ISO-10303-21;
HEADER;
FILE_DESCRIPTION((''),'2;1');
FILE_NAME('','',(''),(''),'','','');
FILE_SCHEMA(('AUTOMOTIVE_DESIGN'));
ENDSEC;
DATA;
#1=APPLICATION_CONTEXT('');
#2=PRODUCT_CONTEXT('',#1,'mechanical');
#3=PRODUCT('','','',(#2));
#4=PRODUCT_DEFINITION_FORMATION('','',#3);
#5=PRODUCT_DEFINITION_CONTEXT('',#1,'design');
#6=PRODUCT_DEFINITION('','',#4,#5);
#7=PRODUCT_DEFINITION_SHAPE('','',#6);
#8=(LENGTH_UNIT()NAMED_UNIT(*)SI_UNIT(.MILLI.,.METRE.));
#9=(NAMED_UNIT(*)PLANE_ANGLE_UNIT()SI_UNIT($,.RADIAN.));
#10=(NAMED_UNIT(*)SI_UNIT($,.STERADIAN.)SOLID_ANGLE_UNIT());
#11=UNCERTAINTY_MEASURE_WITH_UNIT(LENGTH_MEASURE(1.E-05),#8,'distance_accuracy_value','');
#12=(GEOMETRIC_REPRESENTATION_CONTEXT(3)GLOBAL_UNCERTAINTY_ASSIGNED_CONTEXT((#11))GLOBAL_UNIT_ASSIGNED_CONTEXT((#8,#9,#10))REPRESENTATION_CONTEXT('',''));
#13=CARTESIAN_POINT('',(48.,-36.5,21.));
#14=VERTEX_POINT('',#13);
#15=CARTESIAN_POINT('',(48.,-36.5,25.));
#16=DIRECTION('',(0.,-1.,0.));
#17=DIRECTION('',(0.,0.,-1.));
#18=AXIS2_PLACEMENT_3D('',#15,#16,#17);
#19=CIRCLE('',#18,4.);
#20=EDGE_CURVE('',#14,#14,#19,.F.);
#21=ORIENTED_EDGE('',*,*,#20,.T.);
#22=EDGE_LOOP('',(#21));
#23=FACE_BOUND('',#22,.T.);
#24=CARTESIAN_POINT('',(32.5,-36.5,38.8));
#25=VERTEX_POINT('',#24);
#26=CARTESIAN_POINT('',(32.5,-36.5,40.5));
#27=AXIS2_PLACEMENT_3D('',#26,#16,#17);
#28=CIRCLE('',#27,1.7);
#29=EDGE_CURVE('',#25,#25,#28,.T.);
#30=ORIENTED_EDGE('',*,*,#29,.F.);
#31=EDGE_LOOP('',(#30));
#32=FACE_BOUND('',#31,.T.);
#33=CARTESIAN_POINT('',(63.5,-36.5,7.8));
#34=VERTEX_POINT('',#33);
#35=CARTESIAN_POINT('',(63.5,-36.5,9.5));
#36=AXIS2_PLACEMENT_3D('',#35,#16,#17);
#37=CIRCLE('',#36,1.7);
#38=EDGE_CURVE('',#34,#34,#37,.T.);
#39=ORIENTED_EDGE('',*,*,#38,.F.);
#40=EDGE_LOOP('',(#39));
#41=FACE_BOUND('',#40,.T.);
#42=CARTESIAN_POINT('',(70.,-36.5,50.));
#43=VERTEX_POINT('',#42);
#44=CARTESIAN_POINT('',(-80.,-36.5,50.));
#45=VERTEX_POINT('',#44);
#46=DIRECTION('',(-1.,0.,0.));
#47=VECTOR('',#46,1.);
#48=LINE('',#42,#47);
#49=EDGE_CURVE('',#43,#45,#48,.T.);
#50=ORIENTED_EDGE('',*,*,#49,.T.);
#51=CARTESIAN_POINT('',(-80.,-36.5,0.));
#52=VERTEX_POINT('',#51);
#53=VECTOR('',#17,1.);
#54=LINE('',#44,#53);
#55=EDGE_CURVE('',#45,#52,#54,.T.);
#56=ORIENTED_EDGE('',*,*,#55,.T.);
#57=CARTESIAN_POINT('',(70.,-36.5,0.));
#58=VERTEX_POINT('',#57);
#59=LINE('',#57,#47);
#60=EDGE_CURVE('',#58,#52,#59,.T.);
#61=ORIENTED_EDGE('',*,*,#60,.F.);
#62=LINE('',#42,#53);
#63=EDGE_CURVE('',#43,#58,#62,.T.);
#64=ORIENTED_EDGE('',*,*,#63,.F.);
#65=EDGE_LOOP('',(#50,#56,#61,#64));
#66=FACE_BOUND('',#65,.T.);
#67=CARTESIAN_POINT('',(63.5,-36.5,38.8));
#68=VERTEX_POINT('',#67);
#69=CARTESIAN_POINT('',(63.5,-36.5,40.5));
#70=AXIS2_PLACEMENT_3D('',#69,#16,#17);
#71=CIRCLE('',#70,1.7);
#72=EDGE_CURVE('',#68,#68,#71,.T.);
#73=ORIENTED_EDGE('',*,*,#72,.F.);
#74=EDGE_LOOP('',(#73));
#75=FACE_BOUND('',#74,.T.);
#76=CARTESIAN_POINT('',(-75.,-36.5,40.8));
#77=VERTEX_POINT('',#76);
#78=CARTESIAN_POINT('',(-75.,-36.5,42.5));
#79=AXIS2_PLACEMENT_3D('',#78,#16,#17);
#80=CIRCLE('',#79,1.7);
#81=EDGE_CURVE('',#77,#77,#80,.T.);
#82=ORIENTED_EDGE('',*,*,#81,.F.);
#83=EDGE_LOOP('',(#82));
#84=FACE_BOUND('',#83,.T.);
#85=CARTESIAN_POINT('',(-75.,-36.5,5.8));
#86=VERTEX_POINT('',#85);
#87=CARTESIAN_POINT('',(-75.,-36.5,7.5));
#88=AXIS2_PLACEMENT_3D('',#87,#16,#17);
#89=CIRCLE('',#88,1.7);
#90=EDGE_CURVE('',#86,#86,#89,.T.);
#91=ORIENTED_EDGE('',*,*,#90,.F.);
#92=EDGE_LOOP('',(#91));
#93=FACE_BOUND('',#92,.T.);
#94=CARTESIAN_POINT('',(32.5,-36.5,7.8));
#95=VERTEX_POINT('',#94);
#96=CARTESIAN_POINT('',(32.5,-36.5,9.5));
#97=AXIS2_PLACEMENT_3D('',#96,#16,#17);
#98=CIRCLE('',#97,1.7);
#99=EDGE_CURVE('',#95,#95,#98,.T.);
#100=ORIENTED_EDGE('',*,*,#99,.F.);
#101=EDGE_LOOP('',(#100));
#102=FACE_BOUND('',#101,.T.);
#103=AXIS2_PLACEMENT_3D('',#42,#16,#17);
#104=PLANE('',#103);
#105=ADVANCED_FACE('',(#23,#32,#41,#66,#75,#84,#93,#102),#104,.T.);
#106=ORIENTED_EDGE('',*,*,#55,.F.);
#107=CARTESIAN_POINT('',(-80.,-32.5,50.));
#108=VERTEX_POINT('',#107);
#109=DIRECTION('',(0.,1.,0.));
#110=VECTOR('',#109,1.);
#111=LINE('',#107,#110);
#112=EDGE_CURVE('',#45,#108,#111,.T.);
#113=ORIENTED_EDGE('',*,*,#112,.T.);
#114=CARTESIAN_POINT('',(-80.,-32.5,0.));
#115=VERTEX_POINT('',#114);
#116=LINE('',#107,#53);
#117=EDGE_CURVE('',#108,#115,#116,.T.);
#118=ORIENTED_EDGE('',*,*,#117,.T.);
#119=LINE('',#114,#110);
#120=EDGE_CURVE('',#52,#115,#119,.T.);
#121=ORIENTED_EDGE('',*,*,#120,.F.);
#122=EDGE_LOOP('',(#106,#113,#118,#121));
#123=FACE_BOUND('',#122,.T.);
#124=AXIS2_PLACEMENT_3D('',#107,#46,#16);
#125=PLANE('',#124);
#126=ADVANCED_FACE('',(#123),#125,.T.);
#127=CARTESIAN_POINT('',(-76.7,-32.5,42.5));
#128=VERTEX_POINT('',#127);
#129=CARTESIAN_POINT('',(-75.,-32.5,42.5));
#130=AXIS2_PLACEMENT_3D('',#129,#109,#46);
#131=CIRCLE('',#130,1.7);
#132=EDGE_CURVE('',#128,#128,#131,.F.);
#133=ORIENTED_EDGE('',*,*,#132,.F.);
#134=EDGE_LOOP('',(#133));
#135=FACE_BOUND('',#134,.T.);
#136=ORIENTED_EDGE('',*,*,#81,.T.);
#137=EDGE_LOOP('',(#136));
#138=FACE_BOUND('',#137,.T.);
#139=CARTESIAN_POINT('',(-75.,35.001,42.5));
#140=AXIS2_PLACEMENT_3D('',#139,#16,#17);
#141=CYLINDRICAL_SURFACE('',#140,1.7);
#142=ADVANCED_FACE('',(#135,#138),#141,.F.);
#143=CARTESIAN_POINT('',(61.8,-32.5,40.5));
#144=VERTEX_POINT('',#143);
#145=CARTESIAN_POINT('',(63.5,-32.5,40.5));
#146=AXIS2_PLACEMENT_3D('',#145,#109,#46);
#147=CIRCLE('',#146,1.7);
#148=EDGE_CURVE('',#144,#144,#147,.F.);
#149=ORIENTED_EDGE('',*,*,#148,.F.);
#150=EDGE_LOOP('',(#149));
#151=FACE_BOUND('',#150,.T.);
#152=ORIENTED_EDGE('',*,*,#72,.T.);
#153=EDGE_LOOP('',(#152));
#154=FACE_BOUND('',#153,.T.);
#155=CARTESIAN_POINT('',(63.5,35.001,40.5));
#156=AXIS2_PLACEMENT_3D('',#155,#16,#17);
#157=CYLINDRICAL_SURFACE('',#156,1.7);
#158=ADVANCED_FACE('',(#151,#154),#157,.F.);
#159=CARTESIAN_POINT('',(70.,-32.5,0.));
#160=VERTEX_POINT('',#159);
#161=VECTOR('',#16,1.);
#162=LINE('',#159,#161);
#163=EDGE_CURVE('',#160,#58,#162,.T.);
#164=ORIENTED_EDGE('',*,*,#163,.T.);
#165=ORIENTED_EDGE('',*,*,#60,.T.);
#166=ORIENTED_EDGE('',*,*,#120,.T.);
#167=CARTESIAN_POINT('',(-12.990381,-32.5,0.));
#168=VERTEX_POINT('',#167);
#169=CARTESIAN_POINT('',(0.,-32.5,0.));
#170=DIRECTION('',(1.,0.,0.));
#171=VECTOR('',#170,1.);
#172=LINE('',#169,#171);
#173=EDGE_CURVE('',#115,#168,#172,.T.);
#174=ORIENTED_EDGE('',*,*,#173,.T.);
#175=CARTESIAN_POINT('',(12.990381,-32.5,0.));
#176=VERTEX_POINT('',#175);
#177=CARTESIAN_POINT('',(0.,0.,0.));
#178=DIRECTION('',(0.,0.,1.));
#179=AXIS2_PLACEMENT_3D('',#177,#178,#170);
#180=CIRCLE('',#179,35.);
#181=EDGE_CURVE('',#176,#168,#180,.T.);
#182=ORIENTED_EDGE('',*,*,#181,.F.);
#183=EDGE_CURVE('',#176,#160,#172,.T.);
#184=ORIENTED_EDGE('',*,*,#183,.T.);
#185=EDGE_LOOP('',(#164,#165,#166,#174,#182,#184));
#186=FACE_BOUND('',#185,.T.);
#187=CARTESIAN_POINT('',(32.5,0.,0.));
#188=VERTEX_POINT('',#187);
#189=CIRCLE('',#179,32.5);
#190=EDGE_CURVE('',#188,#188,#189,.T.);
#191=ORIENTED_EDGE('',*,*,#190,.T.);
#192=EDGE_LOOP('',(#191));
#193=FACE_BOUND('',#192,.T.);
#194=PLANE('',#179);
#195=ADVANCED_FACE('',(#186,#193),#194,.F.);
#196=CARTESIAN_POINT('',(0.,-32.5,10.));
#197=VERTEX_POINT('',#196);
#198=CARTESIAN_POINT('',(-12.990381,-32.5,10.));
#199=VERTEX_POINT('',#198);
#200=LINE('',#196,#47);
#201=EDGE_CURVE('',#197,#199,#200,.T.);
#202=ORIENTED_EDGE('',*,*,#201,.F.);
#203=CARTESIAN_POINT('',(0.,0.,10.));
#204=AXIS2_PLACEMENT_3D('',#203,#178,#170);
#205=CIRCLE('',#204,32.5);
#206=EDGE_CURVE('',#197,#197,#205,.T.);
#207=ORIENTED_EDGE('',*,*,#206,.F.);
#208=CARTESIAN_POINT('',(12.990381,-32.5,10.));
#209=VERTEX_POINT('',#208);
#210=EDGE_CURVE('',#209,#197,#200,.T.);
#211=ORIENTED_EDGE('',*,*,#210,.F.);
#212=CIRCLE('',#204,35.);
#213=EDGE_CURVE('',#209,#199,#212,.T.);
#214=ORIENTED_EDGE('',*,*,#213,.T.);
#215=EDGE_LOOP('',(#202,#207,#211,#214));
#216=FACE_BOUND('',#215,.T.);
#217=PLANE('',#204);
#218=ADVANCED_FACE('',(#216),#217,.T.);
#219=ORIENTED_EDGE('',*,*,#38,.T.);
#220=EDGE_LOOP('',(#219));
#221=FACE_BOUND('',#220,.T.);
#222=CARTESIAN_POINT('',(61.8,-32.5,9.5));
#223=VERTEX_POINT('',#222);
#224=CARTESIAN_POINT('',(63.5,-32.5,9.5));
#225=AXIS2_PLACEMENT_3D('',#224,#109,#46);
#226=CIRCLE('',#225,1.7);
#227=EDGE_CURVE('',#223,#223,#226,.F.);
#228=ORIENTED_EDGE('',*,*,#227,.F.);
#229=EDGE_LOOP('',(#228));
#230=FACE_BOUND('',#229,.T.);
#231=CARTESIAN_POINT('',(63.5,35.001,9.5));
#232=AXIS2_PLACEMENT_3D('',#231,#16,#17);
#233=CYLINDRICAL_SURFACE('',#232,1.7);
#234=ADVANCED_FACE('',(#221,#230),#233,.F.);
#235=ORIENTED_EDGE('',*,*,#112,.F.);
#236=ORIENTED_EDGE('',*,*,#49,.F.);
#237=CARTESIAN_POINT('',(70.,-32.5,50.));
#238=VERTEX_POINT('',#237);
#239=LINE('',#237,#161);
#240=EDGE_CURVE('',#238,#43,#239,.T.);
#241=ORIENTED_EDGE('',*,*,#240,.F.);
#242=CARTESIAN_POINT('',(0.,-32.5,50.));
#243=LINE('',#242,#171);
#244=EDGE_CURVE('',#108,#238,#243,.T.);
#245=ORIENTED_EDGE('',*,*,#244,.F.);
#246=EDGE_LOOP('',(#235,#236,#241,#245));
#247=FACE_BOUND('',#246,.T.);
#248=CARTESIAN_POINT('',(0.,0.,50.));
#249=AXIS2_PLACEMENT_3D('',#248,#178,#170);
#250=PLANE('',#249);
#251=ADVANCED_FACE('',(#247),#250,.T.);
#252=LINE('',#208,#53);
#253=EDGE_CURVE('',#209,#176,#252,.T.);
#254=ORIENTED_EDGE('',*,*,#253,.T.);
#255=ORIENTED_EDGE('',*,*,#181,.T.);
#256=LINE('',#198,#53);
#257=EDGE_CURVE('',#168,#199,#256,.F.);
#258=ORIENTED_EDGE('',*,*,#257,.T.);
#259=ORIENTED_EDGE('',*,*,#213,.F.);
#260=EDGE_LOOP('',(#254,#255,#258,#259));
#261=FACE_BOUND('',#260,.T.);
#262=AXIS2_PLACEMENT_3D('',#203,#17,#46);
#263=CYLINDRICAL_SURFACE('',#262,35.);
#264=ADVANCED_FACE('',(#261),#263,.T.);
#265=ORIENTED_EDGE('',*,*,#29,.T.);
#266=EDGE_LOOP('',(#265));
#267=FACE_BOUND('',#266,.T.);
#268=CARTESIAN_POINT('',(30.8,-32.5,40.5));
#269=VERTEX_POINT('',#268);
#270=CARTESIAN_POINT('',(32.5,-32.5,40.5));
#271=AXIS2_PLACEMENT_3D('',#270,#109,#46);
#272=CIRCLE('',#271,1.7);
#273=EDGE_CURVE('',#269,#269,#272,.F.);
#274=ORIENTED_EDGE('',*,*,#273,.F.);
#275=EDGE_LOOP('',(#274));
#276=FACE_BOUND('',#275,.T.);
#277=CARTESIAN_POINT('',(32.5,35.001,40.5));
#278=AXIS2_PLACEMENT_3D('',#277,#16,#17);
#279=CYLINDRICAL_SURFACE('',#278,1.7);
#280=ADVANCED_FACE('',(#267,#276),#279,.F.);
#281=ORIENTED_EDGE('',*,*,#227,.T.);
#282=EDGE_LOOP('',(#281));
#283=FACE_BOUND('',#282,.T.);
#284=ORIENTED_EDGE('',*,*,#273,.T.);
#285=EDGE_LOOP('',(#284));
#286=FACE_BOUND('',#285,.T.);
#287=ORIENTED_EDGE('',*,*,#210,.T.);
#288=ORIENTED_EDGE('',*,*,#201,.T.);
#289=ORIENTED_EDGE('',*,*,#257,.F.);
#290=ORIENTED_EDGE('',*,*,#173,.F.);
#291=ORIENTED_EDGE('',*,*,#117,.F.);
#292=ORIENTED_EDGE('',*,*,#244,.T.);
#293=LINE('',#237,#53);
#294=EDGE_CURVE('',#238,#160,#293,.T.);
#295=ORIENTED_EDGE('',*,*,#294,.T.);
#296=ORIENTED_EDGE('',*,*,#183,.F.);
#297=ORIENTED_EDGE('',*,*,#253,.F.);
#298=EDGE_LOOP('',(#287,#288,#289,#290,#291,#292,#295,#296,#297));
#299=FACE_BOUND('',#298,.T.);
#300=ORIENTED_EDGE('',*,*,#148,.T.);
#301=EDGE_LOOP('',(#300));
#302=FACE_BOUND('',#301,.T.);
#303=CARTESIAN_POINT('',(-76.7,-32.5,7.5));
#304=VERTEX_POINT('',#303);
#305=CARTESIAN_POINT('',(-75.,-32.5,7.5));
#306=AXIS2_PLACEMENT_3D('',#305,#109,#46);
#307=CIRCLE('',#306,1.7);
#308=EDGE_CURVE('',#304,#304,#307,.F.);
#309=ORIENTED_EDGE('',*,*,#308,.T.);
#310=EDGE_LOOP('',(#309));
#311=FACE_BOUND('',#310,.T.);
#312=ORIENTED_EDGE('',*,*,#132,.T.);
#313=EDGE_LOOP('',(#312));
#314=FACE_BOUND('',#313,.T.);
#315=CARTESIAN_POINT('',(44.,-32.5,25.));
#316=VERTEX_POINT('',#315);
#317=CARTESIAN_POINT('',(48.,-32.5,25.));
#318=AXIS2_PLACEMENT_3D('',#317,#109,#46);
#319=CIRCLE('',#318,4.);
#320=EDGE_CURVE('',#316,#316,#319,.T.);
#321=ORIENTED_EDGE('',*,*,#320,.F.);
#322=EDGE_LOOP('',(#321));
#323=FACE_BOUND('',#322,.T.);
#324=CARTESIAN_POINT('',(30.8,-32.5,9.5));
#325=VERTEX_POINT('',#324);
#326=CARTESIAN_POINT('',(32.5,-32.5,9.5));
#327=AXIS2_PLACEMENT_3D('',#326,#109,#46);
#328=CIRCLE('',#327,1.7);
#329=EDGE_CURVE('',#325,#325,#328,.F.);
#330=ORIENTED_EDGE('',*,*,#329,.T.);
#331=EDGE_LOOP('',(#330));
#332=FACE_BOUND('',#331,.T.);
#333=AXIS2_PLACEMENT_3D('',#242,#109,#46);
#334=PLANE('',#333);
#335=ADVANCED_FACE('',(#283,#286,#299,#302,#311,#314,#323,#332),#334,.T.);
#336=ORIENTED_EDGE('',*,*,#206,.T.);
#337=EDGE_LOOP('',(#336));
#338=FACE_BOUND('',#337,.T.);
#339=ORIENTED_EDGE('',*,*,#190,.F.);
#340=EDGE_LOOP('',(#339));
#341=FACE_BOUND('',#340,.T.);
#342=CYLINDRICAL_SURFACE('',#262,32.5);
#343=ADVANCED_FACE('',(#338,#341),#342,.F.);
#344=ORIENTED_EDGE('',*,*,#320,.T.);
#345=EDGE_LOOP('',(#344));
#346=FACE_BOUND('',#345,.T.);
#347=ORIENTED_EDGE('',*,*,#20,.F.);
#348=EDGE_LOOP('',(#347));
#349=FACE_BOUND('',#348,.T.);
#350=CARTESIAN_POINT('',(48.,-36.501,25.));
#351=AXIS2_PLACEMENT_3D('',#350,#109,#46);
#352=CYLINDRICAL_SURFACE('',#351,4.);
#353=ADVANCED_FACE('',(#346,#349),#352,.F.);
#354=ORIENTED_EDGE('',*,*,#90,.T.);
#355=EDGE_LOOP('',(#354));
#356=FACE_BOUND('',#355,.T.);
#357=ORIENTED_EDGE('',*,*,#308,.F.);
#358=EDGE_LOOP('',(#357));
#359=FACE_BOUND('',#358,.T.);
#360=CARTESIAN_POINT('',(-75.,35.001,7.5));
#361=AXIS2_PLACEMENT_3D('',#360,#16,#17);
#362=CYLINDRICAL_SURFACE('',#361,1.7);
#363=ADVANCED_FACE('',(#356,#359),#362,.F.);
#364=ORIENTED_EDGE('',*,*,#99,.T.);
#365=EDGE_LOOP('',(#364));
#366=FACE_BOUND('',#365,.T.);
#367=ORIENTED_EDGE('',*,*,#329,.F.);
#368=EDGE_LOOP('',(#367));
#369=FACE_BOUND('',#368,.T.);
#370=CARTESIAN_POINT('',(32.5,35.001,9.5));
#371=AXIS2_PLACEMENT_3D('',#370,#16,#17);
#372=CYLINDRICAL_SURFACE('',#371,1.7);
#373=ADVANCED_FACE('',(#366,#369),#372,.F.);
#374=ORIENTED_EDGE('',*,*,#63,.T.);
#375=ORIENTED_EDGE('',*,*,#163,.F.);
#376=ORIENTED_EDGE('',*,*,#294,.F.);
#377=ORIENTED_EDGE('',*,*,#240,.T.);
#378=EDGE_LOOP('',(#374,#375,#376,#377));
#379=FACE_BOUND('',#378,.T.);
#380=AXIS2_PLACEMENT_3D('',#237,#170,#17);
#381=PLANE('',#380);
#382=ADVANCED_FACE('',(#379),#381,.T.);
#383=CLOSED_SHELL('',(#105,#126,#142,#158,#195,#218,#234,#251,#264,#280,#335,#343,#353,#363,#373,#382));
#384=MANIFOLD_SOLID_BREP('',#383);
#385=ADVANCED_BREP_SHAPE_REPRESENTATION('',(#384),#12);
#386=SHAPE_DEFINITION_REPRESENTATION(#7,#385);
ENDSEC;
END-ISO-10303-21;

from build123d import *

# Parameters (mm, degrees)
SKETCH_1_R          = 35
SKETCH_1_R_2        = 32.5
EXTRUDE_1_DEPTH     = 10
EXTRUDE_2_DEPTH     = 50
CUT_EXTRUDE_1_REACH = 118.001
SKETCH_3_R          = 4
CUT_EXTRUDE_2_REACH = 120.373
SKETCH_4_R          = 1.7
CUT_EXTRUDE_3_REACH = 120.373
SKETCH_5_R          = 1.7


with BuildPart() as part:
    # ｽｹｯﾁ1 → ﾎﾞｽ - 押し出し1 (new body)
    with BuildSketch(Plane.XY):
        Circle(SKETCH_1_R)
        Circle(SKETCH_1_R_2, mode=Mode.SUBTRACT)
    extrude(amount=EXTRUDE_1_DEPTH)

    # ｽｹｯﾁ2 → ﾎﾞｽ - 押し出し2 (add)
    with BuildSketch(Plane(origin=(0, 0, 0), x_dir=(-1, 0, 0), z_dir=(0, 0, -1))):
        Polygon((0, -32.5), (-70, -32.5), (-70, -36.5), (80, -36.5), (80, -32.5), align=None)
    extrude(amount=-EXTRUDE_2_DEPTH)

    # ｽｹｯﾁ3 → ｶｯﾄ - 押し出し1 (cut, up to next)
    with BuildSketch(Plane(origin=(0, -32.5, 0), x_dir=(1, 0, 0), z_dir=(0, 1, 0)), mode=Mode.PRIVATE) as cut_extrude_1_sk1:
        with Locations(Location((48, -25, 0), (0, 0, 180))):
            Circle(SKETCH_3_R)
    cut_extrude_1_tool1 = extrude(cut_extrude_1_sk1.sketch, amount=-CUT_EXTRUDE_1_REACH, mode=Mode.PRIVATE) & part.part
    add(cut_extrude_1_tool1.solids().sort_by_distance((48, -32.5, 25))[0], mode=Mode.SUBTRACT)

    # ｽｹｯﾁ4 → ｶｯﾄ - 押し出し2 (cut, up to next)
    with BuildSketch(Plane.XZ.offset(36.5), mode=Mode.PRIVATE) as cut_extrude_2_sk1:
        with Locations(Location((63.5, 40.5, 0), (0, 0, 270))):
            Circle(SKETCH_4_R)
    cut_extrude_2_tool1 = extrude(cut_extrude_2_sk1.sketch, amount=-CUT_EXTRUDE_2_REACH, mode=Mode.PRIVATE) & part.part
    # ｽｹｯﾁ4 → ｶｯﾄ - 押し出し2 (cut, up to next)
    with BuildSketch(Plane.XZ.offset(36.5), mode=Mode.PRIVATE) as cut_extrude_2_sk2:
        with Locations(Location((63.5, 9.5, 0), (0, 0, 270))):
            Circle(SKETCH_4_R)
    cut_extrude_2_tool2 = extrude(cut_extrude_2_sk2.sketch, amount=-CUT_EXTRUDE_2_REACH, mode=Mode.PRIVATE) & part.part
    # ｽｹｯﾁ4 → ｶｯﾄ - 押し出し2 (cut, up to next)
    with BuildSketch(Plane.XZ.offset(36.5), mode=Mode.PRIVATE) as cut_extrude_2_sk3:
        with Locations(Location((32.5, 40.5, 0), (0, 0, 270))):
            Circle(SKETCH_4_R)
    cut_extrude_2_tool3 = extrude(cut_extrude_2_sk3.sketch, amount=-CUT_EXTRUDE_2_REACH, mode=Mode.PRIVATE) & part.part
    # ｽｹｯﾁ4 → ｶｯﾄ - 押し出し2 (cut, up to next)
    with BuildSketch(Plane.XZ.offset(36.5), mode=Mode.PRIVATE) as cut_extrude_2_sk4:
        with Locations(Location((32.5, 9.5, 0), (0, 0, 270))):
            Circle(SKETCH_4_R)
    cut_extrude_2_tool4 = extrude(cut_extrude_2_sk4.sketch, amount=-CUT_EXTRUDE_2_REACH, mode=Mode.PRIVATE) & part.part
    add(cut_extrude_2_tool1.solids().sort_by_distance((63.5, -36.5, 40.5))[0], mode=Mode.SUBTRACT)
    add(cut_extrude_2_tool2.solids().sort_by_distance((63.5, -36.5, 9.5))[0], mode=Mode.SUBTRACT)
    add(cut_extrude_2_tool3.solids().sort_by_distance((32.5, -36.5, 40.5))[0], mode=Mode.SUBTRACT)
    add(cut_extrude_2_tool4.solids().sort_by_distance((32.5, -36.5, 9.5))[0], mode=Mode.SUBTRACT)

    # ｽｹｯﾁ5 → ｶｯﾄ - 押し出し3 (cut, up to next)
    with BuildSketch(Plane.XZ.offset(36.5), mode=Mode.PRIVATE) as cut_extrude_3_sk1:
        with Locations(Location((-75, 42.5, 0), (0, 0, 270))):
            Circle(SKETCH_5_R)
    cut_extrude_3_tool1 = extrude(cut_extrude_3_sk1.sketch, amount=-CUT_EXTRUDE_3_REACH, mode=Mode.PRIVATE) & part.part
    # ｽｹｯﾁ5 → ｶｯﾄ - 押し出し3 (cut, up to next)
    with BuildSketch(Plane.XZ.offset(36.5), mode=Mode.PRIVATE) as cut_extrude_3_sk2:
        with Locations(Location((-75, 7.5, 0), (0, 0, 270))):
            Circle(SKETCH_5_R)
    cut_extrude_3_tool2 = extrude(cut_extrude_3_sk2.sketch, amount=-CUT_EXTRUDE_3_REACH, mode=Mode.PRIVATE) & part.part
    add(cut_extrude_3_tool1.solids().sort_by_distance((-75, -36.5, 42.5))[0], mode=Mode.SUBTRACT)
    add(cut_extrude_3_tool2.solids().sort_by_distance((-75, -36.5, 7.5))[0], mode=Mode.SUBTRACT)


solid = part.part
